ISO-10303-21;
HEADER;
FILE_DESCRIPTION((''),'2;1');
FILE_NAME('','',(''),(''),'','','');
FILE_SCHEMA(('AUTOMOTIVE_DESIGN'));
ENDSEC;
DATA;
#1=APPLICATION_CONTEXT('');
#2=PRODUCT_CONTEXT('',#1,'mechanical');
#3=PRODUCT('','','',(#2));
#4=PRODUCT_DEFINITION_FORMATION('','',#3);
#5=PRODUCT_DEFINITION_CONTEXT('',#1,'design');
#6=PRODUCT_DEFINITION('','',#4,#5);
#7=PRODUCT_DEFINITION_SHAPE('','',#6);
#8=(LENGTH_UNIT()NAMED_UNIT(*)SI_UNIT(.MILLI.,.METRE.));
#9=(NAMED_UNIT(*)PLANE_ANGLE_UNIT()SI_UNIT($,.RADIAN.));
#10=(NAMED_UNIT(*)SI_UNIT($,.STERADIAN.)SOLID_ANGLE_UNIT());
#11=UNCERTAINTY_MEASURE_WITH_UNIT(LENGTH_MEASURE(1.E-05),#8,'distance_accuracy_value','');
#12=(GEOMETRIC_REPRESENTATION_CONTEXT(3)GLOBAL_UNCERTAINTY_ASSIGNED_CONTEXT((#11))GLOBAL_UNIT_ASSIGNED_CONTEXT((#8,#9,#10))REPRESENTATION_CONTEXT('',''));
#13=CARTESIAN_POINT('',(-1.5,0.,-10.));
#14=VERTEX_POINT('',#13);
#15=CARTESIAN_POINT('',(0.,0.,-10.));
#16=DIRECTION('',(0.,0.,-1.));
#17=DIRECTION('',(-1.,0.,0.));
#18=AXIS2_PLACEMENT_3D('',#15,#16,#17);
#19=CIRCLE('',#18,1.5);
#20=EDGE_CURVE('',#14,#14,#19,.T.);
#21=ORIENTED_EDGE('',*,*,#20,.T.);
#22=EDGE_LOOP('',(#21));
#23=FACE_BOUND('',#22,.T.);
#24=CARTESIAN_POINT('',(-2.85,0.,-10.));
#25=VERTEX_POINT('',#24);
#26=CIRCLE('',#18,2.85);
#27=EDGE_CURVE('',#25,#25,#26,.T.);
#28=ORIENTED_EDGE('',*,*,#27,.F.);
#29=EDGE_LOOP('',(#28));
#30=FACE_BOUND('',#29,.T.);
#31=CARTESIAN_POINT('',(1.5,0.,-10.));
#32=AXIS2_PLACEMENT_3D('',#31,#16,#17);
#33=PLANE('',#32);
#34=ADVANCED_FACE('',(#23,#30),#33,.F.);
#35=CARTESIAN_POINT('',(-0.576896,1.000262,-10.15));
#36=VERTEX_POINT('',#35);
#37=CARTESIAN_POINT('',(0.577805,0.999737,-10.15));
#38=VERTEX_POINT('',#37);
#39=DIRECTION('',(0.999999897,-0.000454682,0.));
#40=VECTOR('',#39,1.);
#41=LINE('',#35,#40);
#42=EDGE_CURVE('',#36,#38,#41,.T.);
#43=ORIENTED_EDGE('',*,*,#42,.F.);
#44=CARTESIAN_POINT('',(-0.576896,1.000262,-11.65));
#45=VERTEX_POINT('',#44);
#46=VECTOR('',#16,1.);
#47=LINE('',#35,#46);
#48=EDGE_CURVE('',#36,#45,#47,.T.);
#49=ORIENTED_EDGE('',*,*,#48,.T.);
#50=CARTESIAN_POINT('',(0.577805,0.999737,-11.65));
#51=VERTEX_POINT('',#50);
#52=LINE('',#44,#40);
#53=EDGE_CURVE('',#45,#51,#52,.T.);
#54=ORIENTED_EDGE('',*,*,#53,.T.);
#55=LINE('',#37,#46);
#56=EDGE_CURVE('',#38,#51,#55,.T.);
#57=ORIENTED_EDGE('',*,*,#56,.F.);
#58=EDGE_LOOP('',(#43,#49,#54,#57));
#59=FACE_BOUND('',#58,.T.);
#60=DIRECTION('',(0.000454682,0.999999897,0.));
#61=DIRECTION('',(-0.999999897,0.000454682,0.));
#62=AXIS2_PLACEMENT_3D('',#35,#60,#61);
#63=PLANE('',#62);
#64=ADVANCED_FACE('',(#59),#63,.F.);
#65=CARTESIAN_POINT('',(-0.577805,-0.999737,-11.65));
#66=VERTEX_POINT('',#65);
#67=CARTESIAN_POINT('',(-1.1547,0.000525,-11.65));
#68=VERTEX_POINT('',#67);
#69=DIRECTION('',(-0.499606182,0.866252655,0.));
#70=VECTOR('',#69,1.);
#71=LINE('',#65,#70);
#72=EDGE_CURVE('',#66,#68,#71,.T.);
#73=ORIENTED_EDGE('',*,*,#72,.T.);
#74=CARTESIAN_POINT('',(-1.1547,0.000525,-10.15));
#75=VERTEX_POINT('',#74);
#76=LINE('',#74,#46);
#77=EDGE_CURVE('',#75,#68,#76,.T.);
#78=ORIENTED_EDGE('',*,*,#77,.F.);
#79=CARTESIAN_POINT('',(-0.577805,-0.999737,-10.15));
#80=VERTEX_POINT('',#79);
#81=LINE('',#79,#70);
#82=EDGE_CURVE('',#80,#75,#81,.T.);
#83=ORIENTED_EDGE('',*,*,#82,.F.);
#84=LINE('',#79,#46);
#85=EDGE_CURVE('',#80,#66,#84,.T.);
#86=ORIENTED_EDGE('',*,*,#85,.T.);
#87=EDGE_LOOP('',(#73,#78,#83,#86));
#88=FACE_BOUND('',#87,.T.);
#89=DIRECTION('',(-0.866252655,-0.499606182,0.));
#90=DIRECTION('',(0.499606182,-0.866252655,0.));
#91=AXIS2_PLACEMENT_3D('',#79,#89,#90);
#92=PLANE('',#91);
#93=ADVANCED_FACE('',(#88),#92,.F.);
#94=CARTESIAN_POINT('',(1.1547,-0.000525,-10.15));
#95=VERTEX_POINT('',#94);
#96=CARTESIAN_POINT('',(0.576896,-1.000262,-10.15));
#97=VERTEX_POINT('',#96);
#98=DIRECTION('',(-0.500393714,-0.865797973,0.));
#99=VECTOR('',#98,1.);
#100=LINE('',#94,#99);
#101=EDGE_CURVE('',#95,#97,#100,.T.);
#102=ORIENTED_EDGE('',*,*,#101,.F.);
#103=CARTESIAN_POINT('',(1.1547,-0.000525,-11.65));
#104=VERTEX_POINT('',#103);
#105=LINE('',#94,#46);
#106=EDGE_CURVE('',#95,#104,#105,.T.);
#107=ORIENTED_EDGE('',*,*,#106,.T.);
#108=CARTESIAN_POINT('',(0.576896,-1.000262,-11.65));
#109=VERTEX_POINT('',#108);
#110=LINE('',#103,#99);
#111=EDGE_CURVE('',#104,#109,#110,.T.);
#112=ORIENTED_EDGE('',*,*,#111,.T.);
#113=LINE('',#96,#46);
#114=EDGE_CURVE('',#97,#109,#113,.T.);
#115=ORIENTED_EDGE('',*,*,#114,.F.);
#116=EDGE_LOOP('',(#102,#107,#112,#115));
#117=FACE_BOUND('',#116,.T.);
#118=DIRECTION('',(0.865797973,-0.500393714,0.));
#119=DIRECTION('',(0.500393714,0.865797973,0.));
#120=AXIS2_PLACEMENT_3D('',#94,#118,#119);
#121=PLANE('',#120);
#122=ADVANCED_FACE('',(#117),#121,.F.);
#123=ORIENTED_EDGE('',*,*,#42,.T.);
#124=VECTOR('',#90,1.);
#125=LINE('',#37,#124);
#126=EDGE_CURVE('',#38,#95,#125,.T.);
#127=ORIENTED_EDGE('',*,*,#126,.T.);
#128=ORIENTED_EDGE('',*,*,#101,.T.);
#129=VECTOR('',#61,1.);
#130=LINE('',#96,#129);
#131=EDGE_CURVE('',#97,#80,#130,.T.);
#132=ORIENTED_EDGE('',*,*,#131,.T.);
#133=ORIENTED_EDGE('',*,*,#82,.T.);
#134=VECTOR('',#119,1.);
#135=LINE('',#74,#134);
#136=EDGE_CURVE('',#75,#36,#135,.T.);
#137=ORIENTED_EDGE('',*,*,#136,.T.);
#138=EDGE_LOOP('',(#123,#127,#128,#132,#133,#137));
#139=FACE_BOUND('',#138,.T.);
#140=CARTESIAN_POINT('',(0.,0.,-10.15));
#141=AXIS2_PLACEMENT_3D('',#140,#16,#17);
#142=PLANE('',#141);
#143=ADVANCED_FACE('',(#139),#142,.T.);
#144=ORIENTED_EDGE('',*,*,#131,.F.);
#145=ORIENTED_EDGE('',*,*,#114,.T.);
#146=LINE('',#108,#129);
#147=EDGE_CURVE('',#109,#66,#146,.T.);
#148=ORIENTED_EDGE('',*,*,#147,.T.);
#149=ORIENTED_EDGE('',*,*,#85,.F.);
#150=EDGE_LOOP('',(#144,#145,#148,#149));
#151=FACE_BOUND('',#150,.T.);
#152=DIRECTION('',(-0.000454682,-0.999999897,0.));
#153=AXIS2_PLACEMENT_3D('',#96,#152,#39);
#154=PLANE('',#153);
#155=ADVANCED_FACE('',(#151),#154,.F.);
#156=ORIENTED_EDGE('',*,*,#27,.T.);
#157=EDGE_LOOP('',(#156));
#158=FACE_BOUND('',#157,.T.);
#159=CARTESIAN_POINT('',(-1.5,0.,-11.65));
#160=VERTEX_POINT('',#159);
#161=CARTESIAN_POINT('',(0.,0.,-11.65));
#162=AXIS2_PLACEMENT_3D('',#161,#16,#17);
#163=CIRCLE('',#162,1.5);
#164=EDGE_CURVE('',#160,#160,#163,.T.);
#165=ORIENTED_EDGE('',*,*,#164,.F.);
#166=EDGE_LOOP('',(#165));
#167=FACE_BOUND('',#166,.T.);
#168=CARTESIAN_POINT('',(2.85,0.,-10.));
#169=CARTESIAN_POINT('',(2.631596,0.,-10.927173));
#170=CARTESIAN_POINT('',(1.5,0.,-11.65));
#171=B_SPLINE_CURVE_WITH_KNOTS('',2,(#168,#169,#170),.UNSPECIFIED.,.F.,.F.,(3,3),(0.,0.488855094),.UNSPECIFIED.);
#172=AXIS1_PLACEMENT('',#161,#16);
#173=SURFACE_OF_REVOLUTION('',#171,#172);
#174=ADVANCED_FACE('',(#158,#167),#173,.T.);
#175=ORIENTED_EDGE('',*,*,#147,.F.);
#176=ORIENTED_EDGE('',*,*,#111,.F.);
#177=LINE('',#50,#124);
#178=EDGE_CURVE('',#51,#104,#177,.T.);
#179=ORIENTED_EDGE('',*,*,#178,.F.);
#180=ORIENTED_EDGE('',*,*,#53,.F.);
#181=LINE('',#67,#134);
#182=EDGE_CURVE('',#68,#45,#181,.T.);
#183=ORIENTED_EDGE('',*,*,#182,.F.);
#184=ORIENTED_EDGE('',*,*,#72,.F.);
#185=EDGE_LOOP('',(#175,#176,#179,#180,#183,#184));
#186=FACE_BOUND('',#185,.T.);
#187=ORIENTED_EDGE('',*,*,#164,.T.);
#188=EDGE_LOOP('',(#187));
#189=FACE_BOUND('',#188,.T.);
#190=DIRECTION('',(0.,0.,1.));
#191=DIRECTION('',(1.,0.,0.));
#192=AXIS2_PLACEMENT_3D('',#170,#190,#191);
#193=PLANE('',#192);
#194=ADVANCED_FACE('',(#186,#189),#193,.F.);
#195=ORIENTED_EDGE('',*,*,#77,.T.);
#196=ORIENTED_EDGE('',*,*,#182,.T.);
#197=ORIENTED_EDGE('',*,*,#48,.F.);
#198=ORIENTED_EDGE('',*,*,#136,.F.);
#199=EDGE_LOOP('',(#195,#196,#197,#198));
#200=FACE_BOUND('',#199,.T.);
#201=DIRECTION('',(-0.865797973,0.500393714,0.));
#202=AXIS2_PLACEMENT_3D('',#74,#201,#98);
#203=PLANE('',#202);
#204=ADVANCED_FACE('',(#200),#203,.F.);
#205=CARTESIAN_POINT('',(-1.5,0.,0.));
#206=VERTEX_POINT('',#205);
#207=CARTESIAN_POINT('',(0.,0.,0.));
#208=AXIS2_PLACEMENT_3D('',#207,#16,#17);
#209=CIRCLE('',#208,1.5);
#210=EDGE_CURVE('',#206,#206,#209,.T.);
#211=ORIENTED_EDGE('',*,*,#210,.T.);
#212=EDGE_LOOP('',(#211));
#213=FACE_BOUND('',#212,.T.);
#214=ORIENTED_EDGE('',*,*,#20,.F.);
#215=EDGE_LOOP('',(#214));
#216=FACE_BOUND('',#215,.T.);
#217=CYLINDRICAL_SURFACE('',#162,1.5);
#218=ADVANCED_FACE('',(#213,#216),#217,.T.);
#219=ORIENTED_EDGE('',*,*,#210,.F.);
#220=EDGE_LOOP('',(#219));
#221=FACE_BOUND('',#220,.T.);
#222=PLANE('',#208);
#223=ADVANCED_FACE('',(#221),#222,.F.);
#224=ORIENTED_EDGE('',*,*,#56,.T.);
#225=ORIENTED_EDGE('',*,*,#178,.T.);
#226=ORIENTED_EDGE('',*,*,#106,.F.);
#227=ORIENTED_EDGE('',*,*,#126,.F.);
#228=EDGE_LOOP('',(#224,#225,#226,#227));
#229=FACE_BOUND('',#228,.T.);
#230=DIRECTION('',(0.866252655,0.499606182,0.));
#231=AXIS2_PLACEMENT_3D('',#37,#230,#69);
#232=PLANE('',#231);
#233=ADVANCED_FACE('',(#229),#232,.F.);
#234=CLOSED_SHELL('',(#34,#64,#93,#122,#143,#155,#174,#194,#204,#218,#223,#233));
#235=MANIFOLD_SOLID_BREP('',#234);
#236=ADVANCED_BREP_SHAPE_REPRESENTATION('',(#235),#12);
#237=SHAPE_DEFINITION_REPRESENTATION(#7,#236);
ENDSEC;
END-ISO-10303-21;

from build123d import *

# Parameters (mm, degrees)
CUT_EXTRUDE1_DEPTH = 1.5


with BuildPart() as part:
    # Sketch1 → Revolve1 (revolve)
    with BuildSketch(Plane(origin=(0, 0, 0), x_dir=(1, 0, 0), z_dir=(0, 1, 0)), mode=Mode.PRIVATE) as revolve1_sk:
        with BuildLine():
            Line((1.5, 0), (1.5, 10))
            Line((1.5, 10), (2.85, 10))
            add(Edge.make_bspline(
                [(1.5, 11.65), (2.631595647, 10.927172538), (2.85, 10)],
                knots=[0, 0, 0, 0.488855094, 0.488855094, 0.488855094], degree=2))
            Line((1.5, 11.65), (0, 11.65))
            Line((0, 11.65), (0, 0))
            Line((0, 0), (1.5, 0))
        make_face()
    revolve(revolve1_sk.sketch.rotate(Axis((0, 0, -11.65), (0, 0, 1)), 180), axis=Axis((0, 0, -11.65), (0, 0, 1)))

    # Sketch2 → Cut-Extrude1 (cut)
    with BuildSketch(Plane(origin=(0, 0, -11.65), x_dir=(-1, 0, 0), z_dir=(0, 0, -1))):
        Polygon((0.576895528, 1.000262407), (-0.577804891, 0.999737386), (-1.154700419, -0.000525021), (-0.576895528, -1.000262407), (0.577804891, -0.999737386), (1.154700419, 0.000525021), align=None)
    extrude(amount=-CUT_EXTRUDE1_DEPTH, mode=Mode.SUBTRACT)


solid = part.part
